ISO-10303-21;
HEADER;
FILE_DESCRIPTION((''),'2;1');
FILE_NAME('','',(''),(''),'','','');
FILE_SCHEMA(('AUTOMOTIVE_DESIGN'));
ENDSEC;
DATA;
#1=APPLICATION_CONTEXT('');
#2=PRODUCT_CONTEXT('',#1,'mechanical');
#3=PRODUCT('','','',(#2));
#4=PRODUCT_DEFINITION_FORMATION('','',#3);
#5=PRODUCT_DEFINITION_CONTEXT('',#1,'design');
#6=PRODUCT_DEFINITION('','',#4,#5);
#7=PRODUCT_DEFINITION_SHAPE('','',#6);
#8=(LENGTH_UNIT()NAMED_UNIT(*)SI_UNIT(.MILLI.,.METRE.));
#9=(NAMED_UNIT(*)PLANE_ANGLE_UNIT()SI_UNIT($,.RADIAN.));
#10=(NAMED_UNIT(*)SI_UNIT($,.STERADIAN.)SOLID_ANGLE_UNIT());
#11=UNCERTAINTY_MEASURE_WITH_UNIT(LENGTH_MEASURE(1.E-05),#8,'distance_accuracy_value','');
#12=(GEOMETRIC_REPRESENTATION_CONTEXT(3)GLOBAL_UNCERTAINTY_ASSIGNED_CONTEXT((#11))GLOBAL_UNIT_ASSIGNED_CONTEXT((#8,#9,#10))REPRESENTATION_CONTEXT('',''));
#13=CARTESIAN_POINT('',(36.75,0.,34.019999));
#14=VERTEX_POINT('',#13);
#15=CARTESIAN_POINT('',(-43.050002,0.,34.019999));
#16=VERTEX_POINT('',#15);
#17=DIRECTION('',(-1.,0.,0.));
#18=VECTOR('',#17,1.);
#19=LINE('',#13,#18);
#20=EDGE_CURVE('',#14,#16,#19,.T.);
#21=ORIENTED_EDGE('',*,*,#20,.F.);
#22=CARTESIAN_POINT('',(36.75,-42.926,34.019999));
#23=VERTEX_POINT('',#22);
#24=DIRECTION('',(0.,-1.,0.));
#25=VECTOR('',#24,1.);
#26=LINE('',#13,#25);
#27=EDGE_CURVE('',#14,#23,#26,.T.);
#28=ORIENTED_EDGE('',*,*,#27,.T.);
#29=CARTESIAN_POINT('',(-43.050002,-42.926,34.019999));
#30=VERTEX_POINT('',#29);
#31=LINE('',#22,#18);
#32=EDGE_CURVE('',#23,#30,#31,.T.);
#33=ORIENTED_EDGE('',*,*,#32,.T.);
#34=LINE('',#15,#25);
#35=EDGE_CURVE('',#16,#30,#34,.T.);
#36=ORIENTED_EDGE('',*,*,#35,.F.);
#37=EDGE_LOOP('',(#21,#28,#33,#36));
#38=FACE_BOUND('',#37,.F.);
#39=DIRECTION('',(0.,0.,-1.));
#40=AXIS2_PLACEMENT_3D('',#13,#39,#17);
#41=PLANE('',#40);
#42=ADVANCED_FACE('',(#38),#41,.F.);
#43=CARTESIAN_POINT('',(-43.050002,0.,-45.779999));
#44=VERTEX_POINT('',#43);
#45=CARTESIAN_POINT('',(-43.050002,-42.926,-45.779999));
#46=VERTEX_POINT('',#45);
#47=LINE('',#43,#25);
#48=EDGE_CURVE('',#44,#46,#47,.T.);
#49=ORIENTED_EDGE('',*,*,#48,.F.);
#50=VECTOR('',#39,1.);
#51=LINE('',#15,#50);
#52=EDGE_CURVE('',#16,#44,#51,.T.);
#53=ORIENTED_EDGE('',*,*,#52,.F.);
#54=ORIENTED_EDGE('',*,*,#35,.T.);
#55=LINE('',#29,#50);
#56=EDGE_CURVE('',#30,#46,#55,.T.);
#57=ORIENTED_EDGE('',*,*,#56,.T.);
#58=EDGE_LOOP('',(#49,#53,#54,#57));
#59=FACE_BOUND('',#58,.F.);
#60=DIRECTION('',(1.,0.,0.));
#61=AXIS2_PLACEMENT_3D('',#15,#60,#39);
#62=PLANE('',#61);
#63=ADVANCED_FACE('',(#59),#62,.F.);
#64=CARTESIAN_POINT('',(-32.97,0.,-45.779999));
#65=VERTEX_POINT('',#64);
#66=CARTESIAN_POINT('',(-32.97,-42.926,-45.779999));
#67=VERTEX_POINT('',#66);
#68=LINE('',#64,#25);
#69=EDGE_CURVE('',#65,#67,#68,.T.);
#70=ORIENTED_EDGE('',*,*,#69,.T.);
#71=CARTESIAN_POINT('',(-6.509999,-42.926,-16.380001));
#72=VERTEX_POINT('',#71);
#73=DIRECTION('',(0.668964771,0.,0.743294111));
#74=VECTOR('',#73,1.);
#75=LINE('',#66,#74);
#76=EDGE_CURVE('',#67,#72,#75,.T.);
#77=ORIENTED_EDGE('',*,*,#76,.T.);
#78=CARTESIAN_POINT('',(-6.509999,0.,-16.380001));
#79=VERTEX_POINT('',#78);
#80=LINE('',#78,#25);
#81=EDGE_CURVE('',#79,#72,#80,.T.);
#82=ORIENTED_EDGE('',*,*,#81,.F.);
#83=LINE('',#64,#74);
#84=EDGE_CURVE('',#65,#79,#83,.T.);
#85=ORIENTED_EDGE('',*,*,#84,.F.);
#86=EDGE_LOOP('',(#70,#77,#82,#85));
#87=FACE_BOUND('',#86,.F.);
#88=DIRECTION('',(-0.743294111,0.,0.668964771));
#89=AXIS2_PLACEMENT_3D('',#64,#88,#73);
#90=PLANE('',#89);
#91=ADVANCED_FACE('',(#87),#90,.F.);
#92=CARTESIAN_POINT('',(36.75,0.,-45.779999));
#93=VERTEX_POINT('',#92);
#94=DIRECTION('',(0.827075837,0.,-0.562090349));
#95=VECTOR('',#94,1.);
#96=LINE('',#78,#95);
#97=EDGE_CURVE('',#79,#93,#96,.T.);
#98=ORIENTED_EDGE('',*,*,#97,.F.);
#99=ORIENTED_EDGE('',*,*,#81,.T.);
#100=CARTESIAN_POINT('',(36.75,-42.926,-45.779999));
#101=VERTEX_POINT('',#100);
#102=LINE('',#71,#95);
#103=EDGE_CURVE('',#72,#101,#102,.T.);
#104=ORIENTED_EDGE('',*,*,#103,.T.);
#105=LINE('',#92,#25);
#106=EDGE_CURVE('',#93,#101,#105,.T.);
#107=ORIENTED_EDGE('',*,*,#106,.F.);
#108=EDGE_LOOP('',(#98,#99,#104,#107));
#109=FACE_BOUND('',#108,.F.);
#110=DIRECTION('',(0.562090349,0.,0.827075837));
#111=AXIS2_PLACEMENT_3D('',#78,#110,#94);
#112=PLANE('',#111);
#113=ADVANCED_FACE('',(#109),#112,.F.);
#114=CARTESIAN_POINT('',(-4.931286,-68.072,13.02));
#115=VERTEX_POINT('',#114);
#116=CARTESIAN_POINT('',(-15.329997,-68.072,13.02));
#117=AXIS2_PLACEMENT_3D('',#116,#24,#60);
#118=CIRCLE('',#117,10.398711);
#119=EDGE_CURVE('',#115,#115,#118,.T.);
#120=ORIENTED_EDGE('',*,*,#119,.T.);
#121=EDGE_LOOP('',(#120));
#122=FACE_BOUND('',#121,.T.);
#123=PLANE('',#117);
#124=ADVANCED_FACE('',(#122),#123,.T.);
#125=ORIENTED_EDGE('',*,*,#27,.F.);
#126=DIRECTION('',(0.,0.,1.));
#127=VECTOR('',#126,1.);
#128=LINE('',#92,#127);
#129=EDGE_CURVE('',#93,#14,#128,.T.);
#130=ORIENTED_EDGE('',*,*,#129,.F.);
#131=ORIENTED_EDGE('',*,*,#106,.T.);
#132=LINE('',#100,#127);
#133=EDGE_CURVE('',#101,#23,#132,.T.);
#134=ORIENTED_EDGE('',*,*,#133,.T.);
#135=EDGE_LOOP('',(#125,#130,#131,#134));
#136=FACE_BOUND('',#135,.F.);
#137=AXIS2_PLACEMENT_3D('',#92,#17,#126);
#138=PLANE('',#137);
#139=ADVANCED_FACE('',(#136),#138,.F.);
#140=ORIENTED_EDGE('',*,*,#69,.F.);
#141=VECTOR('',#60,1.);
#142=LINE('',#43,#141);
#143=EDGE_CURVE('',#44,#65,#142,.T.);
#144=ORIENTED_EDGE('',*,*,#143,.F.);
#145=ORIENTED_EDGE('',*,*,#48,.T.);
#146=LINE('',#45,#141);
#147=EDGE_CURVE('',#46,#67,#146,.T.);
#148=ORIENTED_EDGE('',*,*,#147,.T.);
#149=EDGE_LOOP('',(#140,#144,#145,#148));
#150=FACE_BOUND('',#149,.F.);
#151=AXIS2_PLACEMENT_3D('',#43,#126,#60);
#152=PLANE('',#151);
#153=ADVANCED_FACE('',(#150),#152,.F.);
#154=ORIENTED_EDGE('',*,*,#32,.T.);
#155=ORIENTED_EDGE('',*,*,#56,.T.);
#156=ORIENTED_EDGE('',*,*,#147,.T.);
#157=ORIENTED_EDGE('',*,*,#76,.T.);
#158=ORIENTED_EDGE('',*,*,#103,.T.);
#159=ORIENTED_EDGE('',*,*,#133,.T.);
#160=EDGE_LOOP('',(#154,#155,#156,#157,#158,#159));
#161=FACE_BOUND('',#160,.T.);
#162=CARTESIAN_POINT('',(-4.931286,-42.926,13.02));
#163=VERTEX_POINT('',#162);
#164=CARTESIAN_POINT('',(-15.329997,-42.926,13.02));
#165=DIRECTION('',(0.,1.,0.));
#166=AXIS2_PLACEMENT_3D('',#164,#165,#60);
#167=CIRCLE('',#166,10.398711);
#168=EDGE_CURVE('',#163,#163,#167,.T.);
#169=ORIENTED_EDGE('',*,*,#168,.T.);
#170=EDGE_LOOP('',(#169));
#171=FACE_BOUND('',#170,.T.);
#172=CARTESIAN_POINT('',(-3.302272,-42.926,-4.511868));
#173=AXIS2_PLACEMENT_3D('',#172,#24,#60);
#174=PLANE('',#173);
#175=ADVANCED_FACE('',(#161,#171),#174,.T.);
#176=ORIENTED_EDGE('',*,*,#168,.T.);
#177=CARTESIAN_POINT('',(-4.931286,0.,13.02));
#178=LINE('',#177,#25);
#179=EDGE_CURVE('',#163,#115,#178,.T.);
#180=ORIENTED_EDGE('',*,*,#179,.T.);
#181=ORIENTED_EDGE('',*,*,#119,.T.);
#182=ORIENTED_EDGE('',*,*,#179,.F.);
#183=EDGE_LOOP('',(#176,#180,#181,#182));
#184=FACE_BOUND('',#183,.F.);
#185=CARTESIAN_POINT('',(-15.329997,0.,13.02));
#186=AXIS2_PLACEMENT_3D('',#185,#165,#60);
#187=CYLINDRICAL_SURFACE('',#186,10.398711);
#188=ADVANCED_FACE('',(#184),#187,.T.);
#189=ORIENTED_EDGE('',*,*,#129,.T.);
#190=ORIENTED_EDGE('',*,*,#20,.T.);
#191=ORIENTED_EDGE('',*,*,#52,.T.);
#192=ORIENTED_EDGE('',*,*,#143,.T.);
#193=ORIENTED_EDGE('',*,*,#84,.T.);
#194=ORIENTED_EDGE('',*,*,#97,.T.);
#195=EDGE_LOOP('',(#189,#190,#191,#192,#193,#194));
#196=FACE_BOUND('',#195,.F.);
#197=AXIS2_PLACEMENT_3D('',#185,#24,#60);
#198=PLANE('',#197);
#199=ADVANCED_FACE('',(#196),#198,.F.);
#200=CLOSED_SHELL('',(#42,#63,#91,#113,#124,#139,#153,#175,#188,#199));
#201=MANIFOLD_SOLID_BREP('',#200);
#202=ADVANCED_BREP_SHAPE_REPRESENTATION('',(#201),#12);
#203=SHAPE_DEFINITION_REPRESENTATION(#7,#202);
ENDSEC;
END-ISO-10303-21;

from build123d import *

# Parameters (mm, degrees)
F1_DEPTH = 42.926
F2_R     = 10.398711
F3_DEPTH = 68.072


with BuildPart() as f1:
    # F0 (on Front) → F1 (new body)
    with BuildSketch(Plane.XZ):
        Polygon((36.75, 34.019999), (-43.050002, 34.019999), (-43.050002, -45.779999), (-32.97, -45.779999), (-6.509999, -16.380001), (36.75, -45.779999), align=None)
    extrude(amount=F1_DEPTH)

    # F2 (on Front) → F3 (join)
    with BuildSketch(Plane.XZ):
        with Locations((-15.329997, 13.02)):
            Circle(F2_R)
    extrude(amount=F3_DEPTH)


solid = f1.part
